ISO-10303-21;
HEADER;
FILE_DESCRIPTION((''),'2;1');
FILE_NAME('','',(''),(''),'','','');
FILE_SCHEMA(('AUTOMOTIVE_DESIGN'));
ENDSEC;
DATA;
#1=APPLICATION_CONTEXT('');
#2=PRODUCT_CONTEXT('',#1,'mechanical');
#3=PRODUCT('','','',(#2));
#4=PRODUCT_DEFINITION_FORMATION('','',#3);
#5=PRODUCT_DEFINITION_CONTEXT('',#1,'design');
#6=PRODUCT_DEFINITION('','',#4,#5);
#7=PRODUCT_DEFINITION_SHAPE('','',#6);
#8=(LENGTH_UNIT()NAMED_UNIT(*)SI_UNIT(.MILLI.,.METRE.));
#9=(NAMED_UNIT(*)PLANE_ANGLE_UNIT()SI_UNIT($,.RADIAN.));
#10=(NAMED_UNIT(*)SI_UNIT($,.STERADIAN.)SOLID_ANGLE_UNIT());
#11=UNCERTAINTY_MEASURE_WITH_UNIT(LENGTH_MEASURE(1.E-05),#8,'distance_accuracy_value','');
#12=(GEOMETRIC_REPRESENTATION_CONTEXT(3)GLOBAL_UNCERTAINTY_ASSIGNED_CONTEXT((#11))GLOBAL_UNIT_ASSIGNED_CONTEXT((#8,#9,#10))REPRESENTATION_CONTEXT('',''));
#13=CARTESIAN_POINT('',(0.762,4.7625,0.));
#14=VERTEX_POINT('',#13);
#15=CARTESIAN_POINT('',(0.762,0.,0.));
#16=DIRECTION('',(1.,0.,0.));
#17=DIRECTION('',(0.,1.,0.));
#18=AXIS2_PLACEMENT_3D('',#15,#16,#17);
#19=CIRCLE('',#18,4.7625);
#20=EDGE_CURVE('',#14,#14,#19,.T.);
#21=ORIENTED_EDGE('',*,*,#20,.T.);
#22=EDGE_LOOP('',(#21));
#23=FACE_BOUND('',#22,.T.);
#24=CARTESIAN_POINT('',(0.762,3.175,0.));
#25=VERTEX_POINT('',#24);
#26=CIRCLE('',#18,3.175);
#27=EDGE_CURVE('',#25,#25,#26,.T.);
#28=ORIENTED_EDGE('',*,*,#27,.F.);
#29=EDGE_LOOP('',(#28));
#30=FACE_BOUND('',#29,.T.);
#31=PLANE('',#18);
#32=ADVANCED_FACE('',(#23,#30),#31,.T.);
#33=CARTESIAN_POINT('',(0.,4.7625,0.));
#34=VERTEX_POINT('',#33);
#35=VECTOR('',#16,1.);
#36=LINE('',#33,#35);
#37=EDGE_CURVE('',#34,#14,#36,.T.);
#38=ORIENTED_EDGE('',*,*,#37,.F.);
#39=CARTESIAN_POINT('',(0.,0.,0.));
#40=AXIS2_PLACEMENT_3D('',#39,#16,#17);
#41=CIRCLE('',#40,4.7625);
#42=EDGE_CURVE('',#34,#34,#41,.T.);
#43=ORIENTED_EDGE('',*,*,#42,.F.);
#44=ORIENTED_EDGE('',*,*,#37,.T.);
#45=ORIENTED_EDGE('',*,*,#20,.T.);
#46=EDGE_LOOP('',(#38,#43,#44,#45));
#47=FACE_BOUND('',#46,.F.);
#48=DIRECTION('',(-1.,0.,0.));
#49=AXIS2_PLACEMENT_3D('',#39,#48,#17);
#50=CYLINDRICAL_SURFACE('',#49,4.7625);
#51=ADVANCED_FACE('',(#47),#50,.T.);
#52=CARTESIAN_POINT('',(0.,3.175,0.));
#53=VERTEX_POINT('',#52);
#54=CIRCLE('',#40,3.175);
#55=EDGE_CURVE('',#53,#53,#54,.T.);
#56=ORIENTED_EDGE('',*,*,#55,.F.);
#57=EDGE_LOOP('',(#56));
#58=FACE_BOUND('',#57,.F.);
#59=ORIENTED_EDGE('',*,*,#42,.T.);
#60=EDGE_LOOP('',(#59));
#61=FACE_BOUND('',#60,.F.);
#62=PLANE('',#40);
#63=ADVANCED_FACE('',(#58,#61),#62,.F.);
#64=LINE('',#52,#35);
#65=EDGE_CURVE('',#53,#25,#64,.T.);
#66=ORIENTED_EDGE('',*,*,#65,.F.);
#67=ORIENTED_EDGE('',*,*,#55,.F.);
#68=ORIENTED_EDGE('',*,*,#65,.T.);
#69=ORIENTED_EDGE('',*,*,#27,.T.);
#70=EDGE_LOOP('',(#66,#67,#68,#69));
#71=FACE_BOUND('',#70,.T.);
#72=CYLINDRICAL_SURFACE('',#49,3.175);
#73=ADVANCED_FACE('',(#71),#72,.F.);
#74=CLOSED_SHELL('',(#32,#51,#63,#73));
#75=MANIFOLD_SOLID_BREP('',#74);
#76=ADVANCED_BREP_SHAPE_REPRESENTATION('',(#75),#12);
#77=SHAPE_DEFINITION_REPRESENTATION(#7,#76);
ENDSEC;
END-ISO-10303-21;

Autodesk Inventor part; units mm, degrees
ref_plane "YZ Plane" through (0, 0, 0) normal (1, 0, 0) x (0, 1, 0)
ref_plane "XZ Plane" through (0, 0, 0) normal (0, 1, 0) x (-1, 0, 0)
ref_plane "XY Plane" through (0, 0, 0) normal (0, 0, 1) x (1, 0, 0)
sketch "Sketch1" plane through (0, 0, 0) normal (1, 0, 0) x (0, 1, 0)
  circle A0 centre (0, 0) radius 3.175
  circle A1 centre (0, 0) radius 4.7625
  dimension "d0" = 6.35
  dimension "d1" = 9.525
extrude "Extrusion1" add sketch "Sketch1" along normal blind 0.762
properties part number "arm4_6"
